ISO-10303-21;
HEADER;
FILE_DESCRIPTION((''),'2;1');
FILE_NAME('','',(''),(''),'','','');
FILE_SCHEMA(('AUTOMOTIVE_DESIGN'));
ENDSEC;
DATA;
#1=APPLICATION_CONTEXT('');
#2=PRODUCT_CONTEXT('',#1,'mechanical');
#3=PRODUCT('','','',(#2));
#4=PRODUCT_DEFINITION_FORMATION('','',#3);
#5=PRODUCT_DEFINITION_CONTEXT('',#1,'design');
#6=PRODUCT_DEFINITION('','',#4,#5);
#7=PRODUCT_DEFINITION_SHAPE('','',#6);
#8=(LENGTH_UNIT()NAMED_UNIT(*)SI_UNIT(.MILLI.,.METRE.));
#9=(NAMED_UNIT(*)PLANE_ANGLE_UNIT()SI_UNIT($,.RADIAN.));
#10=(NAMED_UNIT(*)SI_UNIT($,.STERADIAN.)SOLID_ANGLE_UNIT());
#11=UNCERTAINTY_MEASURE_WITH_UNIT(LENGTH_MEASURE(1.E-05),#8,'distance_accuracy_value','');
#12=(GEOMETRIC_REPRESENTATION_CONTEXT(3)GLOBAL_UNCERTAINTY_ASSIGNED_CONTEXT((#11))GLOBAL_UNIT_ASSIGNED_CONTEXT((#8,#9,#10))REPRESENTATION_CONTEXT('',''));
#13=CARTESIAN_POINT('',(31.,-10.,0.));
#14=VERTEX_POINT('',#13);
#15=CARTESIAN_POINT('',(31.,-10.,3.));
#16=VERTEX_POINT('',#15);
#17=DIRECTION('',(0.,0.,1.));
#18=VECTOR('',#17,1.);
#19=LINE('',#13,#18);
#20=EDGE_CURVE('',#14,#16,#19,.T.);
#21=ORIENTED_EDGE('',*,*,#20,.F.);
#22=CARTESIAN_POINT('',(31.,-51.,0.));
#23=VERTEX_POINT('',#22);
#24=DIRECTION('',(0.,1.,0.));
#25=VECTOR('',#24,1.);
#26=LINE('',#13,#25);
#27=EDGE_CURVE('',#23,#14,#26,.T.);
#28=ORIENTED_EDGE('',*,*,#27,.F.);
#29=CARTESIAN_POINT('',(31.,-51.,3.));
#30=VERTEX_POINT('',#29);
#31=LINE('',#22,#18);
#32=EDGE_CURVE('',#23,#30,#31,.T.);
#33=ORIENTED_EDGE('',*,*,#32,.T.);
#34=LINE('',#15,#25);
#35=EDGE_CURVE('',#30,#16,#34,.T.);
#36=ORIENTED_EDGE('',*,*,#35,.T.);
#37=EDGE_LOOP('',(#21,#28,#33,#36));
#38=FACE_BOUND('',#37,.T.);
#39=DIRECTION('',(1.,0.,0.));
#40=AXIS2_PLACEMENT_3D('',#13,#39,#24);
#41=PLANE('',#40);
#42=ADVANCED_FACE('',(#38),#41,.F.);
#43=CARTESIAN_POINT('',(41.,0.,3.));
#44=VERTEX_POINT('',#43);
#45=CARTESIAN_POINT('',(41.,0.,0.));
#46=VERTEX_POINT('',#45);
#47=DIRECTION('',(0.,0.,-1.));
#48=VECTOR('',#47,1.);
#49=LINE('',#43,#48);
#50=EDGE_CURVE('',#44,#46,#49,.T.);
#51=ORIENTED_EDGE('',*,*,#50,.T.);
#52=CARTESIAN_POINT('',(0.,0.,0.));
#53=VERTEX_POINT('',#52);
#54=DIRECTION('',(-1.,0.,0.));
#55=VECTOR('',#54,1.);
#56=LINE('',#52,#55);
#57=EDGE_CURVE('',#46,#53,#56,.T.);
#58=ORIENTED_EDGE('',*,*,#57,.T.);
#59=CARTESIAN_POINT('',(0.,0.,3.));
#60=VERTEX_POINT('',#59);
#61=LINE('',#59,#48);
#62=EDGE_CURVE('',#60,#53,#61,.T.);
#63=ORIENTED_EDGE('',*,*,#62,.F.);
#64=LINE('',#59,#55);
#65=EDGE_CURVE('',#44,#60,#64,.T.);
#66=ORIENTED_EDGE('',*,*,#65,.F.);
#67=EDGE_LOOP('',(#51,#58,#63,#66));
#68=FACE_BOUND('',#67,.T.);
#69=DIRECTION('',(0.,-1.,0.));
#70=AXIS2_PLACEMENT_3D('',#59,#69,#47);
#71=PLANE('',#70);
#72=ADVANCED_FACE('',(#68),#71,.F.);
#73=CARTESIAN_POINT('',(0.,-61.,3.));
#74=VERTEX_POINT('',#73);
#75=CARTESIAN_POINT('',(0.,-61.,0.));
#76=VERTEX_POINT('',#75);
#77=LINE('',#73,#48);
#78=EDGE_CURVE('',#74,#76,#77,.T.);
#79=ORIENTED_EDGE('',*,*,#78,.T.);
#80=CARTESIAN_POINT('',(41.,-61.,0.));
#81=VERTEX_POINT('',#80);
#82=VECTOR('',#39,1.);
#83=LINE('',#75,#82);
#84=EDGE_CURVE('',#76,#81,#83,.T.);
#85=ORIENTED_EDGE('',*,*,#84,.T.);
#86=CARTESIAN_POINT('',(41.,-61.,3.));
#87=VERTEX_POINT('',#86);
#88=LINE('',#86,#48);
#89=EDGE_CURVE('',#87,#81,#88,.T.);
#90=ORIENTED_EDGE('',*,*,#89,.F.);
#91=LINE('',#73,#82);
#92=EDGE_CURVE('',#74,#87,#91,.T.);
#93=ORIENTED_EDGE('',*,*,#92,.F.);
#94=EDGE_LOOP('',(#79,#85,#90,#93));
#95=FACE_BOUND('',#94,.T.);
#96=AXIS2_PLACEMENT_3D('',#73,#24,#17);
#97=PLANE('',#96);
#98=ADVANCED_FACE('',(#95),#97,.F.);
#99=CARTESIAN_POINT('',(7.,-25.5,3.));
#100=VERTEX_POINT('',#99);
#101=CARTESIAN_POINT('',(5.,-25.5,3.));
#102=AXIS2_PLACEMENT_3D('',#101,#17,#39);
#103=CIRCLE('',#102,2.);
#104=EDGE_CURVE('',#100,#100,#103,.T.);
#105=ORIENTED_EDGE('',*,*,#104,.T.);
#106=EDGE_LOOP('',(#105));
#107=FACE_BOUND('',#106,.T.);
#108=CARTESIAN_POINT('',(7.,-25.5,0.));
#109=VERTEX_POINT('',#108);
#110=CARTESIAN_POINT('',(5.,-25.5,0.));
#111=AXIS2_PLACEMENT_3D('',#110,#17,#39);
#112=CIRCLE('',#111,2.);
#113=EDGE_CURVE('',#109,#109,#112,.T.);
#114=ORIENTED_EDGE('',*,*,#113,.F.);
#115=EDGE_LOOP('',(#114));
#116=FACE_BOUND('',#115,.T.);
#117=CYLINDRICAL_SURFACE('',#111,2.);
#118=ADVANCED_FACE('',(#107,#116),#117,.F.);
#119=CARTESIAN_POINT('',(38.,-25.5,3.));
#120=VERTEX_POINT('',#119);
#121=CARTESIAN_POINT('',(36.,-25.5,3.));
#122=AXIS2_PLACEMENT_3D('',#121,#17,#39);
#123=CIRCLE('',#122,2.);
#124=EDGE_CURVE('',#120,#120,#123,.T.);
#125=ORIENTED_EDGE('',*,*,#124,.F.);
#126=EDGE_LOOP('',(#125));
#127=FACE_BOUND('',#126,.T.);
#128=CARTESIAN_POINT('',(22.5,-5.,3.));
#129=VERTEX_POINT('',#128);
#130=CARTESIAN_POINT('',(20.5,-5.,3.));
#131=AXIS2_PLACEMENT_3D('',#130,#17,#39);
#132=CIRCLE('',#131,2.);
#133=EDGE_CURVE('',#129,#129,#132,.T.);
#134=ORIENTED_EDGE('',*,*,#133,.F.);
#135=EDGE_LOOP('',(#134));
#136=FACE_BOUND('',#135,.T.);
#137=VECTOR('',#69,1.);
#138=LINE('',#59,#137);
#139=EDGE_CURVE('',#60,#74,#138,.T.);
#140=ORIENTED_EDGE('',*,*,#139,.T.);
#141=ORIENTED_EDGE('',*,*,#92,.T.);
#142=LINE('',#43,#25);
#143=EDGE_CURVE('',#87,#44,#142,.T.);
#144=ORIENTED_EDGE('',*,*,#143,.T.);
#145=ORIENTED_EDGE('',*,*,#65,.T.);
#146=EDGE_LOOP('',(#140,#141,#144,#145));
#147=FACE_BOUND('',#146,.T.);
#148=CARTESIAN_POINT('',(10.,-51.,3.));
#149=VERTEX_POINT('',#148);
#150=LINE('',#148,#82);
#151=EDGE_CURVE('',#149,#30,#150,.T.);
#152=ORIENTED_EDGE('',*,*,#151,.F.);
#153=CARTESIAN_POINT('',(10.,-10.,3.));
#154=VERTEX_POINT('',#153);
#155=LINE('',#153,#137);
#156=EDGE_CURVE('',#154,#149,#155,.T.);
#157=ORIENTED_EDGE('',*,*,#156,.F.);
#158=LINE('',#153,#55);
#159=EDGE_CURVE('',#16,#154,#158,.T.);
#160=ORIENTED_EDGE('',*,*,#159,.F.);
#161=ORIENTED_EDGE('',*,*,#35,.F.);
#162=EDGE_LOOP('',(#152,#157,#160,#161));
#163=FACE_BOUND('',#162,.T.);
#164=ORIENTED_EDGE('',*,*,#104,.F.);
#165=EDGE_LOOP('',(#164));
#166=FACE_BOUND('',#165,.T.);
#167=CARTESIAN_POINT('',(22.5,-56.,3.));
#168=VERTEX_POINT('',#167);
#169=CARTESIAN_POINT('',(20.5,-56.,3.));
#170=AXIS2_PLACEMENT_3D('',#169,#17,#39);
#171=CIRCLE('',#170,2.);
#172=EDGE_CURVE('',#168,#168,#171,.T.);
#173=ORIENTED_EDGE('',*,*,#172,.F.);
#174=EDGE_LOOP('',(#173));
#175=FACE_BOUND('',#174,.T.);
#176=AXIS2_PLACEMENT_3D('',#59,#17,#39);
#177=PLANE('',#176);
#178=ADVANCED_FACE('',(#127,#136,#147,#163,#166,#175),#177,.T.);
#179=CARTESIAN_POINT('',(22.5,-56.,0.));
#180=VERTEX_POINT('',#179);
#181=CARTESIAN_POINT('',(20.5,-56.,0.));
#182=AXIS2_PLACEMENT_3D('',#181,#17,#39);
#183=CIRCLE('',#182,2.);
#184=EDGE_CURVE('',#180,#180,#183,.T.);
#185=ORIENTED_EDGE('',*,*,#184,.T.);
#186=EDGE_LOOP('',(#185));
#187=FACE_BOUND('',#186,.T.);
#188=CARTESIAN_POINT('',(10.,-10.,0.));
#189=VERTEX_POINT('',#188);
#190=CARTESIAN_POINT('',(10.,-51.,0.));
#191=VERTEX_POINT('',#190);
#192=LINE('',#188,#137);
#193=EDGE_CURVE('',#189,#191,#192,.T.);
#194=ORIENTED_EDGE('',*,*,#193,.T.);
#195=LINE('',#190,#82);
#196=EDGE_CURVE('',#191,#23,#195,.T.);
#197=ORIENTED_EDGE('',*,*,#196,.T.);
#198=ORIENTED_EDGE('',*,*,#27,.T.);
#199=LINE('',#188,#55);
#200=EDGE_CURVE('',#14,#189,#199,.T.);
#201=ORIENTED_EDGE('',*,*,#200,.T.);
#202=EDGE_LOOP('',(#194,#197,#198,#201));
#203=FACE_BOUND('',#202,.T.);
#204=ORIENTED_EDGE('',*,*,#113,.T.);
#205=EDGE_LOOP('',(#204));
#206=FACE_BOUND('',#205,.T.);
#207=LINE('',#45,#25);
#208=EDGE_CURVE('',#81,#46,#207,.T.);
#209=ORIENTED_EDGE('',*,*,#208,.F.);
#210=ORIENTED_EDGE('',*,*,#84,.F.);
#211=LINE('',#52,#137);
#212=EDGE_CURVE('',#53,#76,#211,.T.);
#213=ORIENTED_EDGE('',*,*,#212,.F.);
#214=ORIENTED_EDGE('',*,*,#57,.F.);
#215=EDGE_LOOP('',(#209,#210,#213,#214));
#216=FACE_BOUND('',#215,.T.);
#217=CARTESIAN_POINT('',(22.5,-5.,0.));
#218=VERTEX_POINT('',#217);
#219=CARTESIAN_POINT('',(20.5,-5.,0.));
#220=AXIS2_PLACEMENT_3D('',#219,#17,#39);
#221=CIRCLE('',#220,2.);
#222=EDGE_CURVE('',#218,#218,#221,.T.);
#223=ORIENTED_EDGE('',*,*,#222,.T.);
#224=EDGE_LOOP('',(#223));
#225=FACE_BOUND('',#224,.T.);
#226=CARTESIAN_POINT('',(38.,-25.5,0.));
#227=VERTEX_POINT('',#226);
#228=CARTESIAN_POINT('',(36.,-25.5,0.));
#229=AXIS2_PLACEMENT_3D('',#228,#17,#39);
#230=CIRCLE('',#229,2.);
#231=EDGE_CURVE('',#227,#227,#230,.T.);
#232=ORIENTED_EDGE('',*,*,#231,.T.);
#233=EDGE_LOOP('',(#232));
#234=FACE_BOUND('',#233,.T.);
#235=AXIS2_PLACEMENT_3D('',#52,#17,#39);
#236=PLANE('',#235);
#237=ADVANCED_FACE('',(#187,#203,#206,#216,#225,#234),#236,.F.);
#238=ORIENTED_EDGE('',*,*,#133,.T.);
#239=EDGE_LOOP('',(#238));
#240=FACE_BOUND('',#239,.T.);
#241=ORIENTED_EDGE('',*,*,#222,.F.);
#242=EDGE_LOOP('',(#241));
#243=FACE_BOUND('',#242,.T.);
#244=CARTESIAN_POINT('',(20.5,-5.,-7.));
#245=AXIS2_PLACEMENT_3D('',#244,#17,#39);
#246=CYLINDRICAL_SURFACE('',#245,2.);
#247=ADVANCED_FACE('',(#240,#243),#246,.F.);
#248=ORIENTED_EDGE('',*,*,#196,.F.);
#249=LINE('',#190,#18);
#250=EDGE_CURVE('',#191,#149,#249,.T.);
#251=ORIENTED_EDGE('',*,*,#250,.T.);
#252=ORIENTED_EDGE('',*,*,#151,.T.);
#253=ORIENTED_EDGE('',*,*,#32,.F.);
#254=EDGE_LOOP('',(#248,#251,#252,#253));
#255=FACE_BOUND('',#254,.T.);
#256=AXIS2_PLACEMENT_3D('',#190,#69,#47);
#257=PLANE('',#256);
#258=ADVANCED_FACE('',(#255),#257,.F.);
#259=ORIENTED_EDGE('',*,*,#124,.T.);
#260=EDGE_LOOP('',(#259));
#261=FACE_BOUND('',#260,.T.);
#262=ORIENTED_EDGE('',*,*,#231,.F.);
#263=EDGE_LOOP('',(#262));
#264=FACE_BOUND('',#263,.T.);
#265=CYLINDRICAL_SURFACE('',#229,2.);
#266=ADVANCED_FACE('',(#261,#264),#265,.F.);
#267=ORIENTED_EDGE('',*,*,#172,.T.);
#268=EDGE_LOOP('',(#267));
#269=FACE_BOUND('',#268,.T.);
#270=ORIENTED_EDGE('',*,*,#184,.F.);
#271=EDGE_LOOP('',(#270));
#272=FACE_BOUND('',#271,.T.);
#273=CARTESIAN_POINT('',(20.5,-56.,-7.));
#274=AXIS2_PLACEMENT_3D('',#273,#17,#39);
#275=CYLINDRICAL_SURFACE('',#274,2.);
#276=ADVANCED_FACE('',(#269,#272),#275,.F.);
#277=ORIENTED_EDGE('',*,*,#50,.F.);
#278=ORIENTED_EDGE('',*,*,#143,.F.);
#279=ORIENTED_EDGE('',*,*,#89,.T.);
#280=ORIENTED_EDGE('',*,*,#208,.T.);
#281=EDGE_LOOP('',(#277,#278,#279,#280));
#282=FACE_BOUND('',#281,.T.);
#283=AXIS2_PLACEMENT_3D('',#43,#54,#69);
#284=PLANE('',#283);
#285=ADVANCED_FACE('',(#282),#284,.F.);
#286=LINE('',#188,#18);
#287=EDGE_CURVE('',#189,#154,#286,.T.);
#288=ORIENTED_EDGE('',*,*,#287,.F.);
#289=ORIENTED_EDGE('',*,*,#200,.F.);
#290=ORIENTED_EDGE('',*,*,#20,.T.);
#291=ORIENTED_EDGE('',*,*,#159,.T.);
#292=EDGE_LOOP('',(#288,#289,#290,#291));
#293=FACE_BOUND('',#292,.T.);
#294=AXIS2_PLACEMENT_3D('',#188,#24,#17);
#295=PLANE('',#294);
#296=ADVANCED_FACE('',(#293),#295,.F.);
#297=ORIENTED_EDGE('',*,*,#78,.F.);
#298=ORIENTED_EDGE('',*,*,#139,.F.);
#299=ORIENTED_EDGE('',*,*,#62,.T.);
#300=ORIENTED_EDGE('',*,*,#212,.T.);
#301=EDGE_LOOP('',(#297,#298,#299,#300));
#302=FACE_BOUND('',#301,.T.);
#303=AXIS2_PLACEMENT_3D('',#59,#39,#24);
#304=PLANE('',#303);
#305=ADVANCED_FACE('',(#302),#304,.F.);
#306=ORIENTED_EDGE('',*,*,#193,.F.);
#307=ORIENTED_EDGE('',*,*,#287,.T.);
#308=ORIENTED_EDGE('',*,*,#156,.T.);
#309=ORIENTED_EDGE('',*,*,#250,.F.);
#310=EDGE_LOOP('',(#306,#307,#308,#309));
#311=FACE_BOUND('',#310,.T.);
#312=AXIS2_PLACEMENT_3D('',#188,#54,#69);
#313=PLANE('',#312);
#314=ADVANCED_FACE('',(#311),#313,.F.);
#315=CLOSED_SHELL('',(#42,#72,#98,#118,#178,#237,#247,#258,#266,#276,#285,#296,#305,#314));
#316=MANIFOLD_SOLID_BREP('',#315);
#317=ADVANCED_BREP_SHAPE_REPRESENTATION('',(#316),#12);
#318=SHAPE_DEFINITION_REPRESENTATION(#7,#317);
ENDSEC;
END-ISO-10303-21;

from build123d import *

# Parameters (mm, degrees)
SKETCH1_W           = 41
SKETCH1_H           = 61
BOSS_EXTRUDE1_DEPTH = 3
SKETCH2_W           = 21
SKETCH2_H           = 41
CUT_EXTRUDE1_DEPTH  = 3
SKETCH3_R           = 2
CUT_EXTRUDE2_DEPTH  = 3
SKETCH4_R           = 2
CUT_EXTRUDE3_DEPTH  = 10


with BuildPart() as part:
    # Sketch1 → Boss-Extrude1 (new body)
    with BuildSketch(Plane.XY):
        with Locations((20.5, -30.5)):
            Rectangle(SKETCH1_W, SKETCH1_H)
    extrude(amount=BOSS_EXTRUDE1_DEPTH)

    # Sketch2 → Cut-Extrude1 (cut)
    with BuildSketch(Plane.XY.offset(3)):
        with Locations((20.5, -30.5)):
            Rectangle(SKETCH2_W, SKETCH2_H)
    extrude(amount=-CUT_EXTRUDE1_DEPTH, mode=Mode.SUBTRACT)

    # Sketch3 → Cut-Extrude2 (cut)
    with BuildSketch(Plane.XY.offset(3)):
        with Locations((36, -25.5)):
            Circle(SKETCH3_R)
        with Locations((5, -25.5)):
            Circle(SKETCH3_R)
    extrude(amount=-CUT_EXTRUDE2_DEPTH, mode=Mode.SUBTRACT)

    # Sketch4 → Cut-Extrude3 (cut)
    with BuildSketch(Plane.XY.offset(3)):
        with Locations((20.5, -5)):
            Circle(SKETCH4_R)
        with Locations((20.5, -56)):
            Circle(SKETCH4_R)
    extrude(amount=-CUT_EXTRUDE3_DEPTH, mode=Mode.SUBTRACT)


solid = part.part
